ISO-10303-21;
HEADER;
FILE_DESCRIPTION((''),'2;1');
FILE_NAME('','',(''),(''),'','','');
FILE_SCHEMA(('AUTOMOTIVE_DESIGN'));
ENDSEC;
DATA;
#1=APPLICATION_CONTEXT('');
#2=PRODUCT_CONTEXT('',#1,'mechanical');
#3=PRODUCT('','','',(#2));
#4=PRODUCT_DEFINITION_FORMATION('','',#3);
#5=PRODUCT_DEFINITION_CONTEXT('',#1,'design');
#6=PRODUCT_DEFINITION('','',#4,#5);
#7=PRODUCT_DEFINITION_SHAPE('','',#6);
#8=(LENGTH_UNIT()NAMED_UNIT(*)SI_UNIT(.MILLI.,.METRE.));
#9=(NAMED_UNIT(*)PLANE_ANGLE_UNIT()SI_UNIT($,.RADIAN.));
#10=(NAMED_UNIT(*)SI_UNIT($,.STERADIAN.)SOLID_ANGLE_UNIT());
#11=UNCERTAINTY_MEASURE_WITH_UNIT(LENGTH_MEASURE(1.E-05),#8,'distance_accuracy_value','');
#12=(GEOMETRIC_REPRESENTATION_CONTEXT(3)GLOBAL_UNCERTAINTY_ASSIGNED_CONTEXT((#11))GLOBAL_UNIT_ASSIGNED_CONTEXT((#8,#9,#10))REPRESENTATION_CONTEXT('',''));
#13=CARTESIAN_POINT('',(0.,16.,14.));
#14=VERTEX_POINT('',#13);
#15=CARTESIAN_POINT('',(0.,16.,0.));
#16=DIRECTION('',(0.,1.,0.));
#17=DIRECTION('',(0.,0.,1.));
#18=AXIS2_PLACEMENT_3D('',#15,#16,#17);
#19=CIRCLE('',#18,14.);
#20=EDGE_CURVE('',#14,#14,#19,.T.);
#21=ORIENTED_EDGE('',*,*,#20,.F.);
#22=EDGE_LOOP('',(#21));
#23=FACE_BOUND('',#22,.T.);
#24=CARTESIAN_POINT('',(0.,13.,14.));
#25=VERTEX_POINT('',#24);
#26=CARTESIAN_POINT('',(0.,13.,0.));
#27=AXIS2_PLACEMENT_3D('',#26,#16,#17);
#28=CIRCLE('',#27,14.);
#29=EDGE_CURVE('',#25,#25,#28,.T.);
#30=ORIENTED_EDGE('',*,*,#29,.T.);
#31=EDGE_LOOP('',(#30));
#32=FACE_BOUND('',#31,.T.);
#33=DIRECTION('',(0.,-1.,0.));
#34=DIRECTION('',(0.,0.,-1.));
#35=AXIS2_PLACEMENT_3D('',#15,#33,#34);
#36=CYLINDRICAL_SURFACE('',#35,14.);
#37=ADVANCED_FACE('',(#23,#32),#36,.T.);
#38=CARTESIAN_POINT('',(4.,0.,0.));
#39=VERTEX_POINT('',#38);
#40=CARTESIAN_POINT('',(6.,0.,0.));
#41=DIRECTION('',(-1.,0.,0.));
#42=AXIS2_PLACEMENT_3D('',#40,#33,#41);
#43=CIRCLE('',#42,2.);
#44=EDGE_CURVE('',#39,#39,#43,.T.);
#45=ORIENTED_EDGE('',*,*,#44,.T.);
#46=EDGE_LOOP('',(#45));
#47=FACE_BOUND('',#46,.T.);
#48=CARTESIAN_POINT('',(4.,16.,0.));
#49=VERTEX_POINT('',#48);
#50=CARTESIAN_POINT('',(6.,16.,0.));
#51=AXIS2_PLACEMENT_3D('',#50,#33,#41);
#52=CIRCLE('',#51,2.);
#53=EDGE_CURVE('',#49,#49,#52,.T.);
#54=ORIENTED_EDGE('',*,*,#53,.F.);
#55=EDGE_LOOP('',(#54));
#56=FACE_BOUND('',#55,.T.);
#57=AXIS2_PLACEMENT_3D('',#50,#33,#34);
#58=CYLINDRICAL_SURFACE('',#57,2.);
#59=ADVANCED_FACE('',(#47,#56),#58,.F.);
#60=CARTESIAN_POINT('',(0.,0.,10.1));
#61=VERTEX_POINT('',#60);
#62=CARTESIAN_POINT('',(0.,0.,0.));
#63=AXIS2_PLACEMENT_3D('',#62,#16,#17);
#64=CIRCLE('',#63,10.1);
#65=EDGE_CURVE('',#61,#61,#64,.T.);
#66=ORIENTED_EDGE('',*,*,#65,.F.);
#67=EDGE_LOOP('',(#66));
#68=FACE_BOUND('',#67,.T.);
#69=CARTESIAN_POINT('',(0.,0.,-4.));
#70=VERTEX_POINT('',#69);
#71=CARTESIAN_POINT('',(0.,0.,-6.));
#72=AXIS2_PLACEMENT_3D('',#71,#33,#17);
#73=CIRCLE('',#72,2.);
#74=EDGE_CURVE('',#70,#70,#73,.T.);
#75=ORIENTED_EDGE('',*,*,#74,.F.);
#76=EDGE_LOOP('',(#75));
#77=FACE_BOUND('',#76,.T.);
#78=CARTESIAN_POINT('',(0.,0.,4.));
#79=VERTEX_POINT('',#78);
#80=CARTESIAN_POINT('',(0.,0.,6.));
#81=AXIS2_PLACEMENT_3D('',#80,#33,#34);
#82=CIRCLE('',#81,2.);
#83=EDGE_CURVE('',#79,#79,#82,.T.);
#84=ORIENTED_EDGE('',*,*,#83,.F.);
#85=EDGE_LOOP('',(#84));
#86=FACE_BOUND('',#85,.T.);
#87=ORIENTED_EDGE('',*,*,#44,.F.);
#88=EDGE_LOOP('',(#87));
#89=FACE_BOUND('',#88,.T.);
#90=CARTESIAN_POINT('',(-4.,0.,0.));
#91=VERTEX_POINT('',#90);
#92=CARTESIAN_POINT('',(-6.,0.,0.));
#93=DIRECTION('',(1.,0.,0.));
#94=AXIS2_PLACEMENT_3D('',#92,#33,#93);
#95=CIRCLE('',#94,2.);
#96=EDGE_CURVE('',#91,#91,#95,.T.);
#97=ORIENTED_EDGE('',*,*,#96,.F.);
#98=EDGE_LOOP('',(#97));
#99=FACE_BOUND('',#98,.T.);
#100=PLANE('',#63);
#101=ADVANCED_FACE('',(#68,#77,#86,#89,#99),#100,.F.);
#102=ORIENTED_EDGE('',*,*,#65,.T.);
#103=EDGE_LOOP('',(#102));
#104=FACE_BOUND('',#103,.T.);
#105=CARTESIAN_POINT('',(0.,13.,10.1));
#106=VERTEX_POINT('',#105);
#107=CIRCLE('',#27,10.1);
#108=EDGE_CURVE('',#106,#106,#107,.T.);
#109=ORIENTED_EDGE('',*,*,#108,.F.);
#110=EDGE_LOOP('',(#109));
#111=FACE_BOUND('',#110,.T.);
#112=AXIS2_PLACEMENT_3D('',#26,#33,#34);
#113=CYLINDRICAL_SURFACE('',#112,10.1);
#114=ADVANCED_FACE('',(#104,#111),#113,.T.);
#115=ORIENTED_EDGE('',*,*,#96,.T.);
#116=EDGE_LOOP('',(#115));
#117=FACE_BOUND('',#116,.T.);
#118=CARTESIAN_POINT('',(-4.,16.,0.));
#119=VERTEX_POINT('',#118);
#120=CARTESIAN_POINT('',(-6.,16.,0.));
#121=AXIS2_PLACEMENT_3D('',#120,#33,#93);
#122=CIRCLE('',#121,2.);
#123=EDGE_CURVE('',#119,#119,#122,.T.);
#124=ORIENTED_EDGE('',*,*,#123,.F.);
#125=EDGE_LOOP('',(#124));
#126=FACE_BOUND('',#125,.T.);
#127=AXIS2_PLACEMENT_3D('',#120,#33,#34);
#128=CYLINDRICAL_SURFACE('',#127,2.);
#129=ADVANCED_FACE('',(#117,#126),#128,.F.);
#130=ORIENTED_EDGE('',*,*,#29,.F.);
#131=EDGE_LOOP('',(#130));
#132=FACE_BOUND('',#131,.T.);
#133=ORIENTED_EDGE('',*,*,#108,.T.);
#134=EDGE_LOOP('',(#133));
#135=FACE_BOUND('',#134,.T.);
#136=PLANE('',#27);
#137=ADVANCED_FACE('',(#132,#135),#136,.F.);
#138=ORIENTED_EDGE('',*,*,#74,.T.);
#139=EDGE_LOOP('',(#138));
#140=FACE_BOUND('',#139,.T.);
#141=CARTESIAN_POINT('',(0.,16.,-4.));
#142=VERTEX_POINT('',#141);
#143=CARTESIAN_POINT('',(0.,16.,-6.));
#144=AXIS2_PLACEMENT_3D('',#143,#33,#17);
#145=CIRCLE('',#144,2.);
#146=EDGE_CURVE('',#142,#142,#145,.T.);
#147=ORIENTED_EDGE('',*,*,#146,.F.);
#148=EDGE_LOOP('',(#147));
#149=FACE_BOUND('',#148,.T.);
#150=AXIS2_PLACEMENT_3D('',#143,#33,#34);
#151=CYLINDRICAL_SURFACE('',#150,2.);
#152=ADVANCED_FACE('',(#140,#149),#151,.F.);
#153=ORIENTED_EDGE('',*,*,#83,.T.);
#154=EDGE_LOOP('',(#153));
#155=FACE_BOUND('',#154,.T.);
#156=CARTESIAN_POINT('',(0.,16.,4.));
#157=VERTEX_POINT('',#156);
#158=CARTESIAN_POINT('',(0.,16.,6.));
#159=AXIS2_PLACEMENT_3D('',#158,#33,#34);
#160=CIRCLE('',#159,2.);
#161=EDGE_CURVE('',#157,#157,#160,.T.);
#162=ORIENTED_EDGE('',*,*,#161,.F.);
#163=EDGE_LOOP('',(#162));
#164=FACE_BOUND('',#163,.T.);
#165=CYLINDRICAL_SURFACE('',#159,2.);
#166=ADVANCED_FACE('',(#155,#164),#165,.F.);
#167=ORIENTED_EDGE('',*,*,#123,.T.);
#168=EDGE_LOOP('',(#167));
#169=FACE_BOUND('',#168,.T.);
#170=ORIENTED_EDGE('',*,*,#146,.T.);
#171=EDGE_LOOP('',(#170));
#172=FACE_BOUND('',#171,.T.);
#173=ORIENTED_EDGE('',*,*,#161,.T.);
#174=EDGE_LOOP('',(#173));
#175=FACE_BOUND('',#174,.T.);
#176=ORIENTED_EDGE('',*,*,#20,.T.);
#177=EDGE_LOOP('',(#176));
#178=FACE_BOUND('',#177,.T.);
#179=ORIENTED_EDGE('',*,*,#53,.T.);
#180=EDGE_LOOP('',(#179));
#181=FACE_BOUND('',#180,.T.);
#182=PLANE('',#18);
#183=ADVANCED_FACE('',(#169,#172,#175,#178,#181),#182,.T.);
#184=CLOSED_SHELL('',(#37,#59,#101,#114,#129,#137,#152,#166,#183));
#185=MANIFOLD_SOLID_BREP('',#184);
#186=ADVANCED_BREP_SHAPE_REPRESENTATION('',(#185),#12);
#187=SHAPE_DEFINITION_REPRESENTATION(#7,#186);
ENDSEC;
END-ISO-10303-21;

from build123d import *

# Parameters (mm, degrees)
SKETCH1_R           = 10.1
BOSS_EXTRUDE1_DEPTH = 13
SKETCH2_R           = 14
BOSS_EXTRUDE2_DEPTH = 3
SKETCH3_R           = 2
CUT_EXTRUDE1_DEPTH  = 17
CIRPATTERN1_COUNT   = 4


with BuildPart() as part:
    # Sketch1 → Boss-Extrude1 (new body)
    with BuildSketch(Plane(origin=(0, 0, 0), x_dir=(1, 0, 0), z_dir=(0, 1, 0))):
        Circle(SKETCH1_R)
    extrude(amount=BOSS_EXTRUDE1_DEPTH)

    # Sketch2 → Boss-Extrude2 (add)
    with BuildSketch(Plane(origin=(0, 13, 0), x_dir=(1, 0, 0), z_dir=(0, 1, 0))):
        Circle(SKETCH2_R)
    extrude(amount=BOSS_EXTRUDE2_DEPTH)

    # Sketch3 → Cut-Extrude1 (cut, through all)
    with BuildSketch(Plane.XZ):
        with Locations((0, 6)):
            Circle(SKETCH3_R)
    cut_extrude1 = extrude(amount=-CUT_EXTRUDE1_DEPTH, mode=Mode.SUBTRACT)

    # CirPattern1: Cut-Extrude1 ×4 about axis
    cirpattern1_axis = Axis((0, 0, 0), (0, 1, 0))
    for i in range(1, CIRPATTERN1_COUNT):
        add(cut_extrude1.rotate(cirpattern1_axis, i * 360 / CIRPATTERN1_COUNT), mode=Mode.SUBTRACT)


solid = part.part
